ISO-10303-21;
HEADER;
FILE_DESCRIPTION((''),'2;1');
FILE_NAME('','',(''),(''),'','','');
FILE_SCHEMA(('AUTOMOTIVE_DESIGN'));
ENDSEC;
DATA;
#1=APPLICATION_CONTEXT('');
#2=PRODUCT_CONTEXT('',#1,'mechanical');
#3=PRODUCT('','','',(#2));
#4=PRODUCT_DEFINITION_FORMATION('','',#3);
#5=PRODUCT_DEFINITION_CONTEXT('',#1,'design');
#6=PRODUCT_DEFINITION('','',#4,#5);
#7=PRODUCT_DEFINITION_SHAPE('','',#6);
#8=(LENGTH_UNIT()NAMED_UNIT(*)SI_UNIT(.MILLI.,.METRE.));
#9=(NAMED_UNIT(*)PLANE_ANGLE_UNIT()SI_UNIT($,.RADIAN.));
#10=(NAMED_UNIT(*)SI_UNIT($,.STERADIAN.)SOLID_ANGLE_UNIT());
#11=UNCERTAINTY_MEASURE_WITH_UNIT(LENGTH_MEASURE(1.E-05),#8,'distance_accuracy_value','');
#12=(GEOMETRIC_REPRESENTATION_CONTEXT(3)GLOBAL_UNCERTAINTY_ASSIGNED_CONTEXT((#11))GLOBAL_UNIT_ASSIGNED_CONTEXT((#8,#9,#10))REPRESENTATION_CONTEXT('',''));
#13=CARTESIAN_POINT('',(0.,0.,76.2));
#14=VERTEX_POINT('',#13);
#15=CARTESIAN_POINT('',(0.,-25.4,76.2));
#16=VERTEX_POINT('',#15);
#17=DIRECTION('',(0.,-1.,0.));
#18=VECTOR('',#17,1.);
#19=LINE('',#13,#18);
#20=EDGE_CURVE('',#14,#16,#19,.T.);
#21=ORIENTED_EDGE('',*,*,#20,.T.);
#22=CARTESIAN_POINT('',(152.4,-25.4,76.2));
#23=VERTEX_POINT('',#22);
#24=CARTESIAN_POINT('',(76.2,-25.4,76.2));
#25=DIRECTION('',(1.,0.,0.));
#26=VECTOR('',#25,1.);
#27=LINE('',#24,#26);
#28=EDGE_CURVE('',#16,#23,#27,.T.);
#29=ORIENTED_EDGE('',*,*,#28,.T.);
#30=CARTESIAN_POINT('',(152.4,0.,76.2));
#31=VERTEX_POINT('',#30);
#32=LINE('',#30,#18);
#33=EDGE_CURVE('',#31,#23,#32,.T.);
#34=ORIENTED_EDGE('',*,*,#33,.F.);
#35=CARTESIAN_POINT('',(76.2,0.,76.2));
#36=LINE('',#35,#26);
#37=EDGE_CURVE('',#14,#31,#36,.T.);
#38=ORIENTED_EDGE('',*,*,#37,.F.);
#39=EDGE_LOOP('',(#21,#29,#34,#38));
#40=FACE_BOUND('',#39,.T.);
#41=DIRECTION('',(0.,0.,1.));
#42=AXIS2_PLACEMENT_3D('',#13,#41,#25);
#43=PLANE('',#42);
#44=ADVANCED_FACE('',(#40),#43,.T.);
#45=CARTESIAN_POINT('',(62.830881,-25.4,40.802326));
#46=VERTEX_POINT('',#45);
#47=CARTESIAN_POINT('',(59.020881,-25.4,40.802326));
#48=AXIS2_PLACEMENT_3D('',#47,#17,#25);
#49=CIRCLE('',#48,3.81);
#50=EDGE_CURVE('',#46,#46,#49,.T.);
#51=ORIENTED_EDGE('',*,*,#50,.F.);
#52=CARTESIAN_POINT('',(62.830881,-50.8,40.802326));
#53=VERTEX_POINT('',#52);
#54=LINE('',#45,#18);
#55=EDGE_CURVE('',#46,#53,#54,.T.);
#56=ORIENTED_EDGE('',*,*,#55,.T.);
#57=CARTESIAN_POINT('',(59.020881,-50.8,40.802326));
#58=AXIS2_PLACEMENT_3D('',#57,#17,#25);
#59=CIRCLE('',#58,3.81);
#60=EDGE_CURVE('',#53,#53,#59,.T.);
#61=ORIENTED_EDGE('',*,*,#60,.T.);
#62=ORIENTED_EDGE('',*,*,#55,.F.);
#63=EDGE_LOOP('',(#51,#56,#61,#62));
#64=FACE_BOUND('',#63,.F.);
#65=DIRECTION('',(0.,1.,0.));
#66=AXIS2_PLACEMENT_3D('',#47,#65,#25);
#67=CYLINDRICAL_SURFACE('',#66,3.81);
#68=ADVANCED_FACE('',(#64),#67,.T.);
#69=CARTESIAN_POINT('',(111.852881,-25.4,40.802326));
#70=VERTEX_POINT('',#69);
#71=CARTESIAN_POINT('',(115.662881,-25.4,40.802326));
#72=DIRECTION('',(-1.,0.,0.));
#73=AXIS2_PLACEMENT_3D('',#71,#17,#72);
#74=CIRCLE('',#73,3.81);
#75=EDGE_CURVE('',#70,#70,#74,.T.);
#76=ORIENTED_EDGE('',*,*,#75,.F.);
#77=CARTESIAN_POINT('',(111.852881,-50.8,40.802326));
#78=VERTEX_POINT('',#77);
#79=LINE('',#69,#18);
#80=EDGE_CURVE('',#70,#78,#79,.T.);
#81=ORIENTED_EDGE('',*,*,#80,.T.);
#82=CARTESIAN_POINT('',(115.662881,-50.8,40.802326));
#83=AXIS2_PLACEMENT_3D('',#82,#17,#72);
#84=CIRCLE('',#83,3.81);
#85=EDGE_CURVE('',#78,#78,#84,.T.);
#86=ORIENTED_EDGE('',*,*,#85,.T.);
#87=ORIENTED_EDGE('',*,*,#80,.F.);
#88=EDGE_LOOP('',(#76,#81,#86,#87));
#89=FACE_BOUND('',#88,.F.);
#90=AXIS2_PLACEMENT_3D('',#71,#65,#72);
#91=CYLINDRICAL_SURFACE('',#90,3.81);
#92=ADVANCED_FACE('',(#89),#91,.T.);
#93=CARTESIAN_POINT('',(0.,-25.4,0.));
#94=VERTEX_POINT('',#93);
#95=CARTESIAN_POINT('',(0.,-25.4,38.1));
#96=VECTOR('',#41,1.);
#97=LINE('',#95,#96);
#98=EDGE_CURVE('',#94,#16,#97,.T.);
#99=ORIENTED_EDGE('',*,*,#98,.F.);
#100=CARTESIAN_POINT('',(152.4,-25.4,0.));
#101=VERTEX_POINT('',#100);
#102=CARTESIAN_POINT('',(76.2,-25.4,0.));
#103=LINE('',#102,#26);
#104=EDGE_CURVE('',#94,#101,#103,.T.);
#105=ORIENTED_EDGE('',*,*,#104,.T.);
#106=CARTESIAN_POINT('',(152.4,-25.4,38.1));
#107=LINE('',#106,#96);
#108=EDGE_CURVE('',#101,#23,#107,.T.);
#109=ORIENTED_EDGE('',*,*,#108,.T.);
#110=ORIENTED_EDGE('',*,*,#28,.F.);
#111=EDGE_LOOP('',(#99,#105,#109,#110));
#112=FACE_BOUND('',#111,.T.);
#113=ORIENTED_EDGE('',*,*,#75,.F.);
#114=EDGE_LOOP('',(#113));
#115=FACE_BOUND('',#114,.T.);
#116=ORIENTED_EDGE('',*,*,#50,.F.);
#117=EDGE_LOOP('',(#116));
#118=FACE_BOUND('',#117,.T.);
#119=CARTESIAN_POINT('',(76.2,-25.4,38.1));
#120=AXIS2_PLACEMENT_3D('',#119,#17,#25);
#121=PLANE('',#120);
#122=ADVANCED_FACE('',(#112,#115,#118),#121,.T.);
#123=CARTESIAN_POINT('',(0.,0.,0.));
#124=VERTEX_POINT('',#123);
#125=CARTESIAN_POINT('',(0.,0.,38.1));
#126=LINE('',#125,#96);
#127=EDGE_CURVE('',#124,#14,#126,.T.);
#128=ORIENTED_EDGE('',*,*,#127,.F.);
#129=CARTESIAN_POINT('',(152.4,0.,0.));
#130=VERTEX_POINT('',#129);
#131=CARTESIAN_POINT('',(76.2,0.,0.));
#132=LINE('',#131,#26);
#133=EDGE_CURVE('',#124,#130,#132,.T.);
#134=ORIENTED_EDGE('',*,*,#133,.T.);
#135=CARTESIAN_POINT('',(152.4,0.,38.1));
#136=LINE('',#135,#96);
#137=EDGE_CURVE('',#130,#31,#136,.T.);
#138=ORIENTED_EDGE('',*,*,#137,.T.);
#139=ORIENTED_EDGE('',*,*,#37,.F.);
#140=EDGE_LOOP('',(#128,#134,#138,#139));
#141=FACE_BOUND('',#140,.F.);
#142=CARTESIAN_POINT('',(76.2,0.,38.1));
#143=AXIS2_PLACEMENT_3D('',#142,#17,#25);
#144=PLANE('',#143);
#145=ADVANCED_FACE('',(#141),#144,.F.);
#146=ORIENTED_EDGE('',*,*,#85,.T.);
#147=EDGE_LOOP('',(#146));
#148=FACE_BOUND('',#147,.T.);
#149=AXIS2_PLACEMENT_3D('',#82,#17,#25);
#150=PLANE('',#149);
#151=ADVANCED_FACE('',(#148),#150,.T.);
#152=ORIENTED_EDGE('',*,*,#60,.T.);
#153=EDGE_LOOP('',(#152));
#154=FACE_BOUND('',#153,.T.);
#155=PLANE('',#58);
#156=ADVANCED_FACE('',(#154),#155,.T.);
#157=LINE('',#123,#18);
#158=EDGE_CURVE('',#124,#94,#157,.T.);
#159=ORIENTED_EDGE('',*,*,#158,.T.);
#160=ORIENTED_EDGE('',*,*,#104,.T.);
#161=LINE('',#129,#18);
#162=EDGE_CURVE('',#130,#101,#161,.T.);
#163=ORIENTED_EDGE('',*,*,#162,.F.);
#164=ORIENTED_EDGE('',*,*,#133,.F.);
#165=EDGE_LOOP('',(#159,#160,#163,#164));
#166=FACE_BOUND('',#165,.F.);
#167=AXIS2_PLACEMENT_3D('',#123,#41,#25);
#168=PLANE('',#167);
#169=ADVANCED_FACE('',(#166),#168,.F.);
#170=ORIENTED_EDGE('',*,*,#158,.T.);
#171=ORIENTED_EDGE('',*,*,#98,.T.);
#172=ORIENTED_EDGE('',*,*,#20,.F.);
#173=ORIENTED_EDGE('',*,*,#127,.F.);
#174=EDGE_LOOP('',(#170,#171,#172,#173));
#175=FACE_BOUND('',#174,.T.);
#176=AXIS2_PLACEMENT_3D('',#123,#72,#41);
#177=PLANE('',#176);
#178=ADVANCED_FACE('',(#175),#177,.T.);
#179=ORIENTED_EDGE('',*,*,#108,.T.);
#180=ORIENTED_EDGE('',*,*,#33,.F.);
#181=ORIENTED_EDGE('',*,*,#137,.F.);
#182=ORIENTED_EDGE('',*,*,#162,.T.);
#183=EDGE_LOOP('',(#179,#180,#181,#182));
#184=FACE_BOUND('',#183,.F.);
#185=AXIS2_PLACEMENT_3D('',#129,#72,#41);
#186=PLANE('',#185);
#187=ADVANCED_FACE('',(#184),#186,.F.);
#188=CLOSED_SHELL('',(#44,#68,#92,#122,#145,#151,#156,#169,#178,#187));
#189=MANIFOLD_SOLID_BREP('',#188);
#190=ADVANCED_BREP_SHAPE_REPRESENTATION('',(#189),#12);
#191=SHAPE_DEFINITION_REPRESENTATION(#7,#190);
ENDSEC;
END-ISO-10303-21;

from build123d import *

# Parameters (mm, degrees)
F0_W     = 152.4
F0_H     = 76.2
F1_DEPTH = 25.4
F2_R     = 3.81
F3_DEPTH = 25.4


with BuildPart() as f1:
    # F0 (on Front) → F1 (new body)
    with BuildSketch(Plane.XZ):
        with Locations((76.2, 38.1)):
            Rectangle(F0_W, F0_H)
    extrude(amount=F1_DEPTH)

    # F2 (on face) → F3 (join)
    with BuildSketch(Plane.XZ.offset(25.4)):
        with Locations((59.020881, 40.802326)):
            Circle(F2_R)
        with BuildLine():
            ThreePointArc((119.472881, 40.802326), (115.662881, 44.612326), (111.852881, 40.802326))
            ThreePointArc((111.852881, 40.802326), (115.662881, 36.992326), (119.472881, 40.802326))
        make_face()
    extrude(amount=F3_DEPTH)


solid = f1.part
